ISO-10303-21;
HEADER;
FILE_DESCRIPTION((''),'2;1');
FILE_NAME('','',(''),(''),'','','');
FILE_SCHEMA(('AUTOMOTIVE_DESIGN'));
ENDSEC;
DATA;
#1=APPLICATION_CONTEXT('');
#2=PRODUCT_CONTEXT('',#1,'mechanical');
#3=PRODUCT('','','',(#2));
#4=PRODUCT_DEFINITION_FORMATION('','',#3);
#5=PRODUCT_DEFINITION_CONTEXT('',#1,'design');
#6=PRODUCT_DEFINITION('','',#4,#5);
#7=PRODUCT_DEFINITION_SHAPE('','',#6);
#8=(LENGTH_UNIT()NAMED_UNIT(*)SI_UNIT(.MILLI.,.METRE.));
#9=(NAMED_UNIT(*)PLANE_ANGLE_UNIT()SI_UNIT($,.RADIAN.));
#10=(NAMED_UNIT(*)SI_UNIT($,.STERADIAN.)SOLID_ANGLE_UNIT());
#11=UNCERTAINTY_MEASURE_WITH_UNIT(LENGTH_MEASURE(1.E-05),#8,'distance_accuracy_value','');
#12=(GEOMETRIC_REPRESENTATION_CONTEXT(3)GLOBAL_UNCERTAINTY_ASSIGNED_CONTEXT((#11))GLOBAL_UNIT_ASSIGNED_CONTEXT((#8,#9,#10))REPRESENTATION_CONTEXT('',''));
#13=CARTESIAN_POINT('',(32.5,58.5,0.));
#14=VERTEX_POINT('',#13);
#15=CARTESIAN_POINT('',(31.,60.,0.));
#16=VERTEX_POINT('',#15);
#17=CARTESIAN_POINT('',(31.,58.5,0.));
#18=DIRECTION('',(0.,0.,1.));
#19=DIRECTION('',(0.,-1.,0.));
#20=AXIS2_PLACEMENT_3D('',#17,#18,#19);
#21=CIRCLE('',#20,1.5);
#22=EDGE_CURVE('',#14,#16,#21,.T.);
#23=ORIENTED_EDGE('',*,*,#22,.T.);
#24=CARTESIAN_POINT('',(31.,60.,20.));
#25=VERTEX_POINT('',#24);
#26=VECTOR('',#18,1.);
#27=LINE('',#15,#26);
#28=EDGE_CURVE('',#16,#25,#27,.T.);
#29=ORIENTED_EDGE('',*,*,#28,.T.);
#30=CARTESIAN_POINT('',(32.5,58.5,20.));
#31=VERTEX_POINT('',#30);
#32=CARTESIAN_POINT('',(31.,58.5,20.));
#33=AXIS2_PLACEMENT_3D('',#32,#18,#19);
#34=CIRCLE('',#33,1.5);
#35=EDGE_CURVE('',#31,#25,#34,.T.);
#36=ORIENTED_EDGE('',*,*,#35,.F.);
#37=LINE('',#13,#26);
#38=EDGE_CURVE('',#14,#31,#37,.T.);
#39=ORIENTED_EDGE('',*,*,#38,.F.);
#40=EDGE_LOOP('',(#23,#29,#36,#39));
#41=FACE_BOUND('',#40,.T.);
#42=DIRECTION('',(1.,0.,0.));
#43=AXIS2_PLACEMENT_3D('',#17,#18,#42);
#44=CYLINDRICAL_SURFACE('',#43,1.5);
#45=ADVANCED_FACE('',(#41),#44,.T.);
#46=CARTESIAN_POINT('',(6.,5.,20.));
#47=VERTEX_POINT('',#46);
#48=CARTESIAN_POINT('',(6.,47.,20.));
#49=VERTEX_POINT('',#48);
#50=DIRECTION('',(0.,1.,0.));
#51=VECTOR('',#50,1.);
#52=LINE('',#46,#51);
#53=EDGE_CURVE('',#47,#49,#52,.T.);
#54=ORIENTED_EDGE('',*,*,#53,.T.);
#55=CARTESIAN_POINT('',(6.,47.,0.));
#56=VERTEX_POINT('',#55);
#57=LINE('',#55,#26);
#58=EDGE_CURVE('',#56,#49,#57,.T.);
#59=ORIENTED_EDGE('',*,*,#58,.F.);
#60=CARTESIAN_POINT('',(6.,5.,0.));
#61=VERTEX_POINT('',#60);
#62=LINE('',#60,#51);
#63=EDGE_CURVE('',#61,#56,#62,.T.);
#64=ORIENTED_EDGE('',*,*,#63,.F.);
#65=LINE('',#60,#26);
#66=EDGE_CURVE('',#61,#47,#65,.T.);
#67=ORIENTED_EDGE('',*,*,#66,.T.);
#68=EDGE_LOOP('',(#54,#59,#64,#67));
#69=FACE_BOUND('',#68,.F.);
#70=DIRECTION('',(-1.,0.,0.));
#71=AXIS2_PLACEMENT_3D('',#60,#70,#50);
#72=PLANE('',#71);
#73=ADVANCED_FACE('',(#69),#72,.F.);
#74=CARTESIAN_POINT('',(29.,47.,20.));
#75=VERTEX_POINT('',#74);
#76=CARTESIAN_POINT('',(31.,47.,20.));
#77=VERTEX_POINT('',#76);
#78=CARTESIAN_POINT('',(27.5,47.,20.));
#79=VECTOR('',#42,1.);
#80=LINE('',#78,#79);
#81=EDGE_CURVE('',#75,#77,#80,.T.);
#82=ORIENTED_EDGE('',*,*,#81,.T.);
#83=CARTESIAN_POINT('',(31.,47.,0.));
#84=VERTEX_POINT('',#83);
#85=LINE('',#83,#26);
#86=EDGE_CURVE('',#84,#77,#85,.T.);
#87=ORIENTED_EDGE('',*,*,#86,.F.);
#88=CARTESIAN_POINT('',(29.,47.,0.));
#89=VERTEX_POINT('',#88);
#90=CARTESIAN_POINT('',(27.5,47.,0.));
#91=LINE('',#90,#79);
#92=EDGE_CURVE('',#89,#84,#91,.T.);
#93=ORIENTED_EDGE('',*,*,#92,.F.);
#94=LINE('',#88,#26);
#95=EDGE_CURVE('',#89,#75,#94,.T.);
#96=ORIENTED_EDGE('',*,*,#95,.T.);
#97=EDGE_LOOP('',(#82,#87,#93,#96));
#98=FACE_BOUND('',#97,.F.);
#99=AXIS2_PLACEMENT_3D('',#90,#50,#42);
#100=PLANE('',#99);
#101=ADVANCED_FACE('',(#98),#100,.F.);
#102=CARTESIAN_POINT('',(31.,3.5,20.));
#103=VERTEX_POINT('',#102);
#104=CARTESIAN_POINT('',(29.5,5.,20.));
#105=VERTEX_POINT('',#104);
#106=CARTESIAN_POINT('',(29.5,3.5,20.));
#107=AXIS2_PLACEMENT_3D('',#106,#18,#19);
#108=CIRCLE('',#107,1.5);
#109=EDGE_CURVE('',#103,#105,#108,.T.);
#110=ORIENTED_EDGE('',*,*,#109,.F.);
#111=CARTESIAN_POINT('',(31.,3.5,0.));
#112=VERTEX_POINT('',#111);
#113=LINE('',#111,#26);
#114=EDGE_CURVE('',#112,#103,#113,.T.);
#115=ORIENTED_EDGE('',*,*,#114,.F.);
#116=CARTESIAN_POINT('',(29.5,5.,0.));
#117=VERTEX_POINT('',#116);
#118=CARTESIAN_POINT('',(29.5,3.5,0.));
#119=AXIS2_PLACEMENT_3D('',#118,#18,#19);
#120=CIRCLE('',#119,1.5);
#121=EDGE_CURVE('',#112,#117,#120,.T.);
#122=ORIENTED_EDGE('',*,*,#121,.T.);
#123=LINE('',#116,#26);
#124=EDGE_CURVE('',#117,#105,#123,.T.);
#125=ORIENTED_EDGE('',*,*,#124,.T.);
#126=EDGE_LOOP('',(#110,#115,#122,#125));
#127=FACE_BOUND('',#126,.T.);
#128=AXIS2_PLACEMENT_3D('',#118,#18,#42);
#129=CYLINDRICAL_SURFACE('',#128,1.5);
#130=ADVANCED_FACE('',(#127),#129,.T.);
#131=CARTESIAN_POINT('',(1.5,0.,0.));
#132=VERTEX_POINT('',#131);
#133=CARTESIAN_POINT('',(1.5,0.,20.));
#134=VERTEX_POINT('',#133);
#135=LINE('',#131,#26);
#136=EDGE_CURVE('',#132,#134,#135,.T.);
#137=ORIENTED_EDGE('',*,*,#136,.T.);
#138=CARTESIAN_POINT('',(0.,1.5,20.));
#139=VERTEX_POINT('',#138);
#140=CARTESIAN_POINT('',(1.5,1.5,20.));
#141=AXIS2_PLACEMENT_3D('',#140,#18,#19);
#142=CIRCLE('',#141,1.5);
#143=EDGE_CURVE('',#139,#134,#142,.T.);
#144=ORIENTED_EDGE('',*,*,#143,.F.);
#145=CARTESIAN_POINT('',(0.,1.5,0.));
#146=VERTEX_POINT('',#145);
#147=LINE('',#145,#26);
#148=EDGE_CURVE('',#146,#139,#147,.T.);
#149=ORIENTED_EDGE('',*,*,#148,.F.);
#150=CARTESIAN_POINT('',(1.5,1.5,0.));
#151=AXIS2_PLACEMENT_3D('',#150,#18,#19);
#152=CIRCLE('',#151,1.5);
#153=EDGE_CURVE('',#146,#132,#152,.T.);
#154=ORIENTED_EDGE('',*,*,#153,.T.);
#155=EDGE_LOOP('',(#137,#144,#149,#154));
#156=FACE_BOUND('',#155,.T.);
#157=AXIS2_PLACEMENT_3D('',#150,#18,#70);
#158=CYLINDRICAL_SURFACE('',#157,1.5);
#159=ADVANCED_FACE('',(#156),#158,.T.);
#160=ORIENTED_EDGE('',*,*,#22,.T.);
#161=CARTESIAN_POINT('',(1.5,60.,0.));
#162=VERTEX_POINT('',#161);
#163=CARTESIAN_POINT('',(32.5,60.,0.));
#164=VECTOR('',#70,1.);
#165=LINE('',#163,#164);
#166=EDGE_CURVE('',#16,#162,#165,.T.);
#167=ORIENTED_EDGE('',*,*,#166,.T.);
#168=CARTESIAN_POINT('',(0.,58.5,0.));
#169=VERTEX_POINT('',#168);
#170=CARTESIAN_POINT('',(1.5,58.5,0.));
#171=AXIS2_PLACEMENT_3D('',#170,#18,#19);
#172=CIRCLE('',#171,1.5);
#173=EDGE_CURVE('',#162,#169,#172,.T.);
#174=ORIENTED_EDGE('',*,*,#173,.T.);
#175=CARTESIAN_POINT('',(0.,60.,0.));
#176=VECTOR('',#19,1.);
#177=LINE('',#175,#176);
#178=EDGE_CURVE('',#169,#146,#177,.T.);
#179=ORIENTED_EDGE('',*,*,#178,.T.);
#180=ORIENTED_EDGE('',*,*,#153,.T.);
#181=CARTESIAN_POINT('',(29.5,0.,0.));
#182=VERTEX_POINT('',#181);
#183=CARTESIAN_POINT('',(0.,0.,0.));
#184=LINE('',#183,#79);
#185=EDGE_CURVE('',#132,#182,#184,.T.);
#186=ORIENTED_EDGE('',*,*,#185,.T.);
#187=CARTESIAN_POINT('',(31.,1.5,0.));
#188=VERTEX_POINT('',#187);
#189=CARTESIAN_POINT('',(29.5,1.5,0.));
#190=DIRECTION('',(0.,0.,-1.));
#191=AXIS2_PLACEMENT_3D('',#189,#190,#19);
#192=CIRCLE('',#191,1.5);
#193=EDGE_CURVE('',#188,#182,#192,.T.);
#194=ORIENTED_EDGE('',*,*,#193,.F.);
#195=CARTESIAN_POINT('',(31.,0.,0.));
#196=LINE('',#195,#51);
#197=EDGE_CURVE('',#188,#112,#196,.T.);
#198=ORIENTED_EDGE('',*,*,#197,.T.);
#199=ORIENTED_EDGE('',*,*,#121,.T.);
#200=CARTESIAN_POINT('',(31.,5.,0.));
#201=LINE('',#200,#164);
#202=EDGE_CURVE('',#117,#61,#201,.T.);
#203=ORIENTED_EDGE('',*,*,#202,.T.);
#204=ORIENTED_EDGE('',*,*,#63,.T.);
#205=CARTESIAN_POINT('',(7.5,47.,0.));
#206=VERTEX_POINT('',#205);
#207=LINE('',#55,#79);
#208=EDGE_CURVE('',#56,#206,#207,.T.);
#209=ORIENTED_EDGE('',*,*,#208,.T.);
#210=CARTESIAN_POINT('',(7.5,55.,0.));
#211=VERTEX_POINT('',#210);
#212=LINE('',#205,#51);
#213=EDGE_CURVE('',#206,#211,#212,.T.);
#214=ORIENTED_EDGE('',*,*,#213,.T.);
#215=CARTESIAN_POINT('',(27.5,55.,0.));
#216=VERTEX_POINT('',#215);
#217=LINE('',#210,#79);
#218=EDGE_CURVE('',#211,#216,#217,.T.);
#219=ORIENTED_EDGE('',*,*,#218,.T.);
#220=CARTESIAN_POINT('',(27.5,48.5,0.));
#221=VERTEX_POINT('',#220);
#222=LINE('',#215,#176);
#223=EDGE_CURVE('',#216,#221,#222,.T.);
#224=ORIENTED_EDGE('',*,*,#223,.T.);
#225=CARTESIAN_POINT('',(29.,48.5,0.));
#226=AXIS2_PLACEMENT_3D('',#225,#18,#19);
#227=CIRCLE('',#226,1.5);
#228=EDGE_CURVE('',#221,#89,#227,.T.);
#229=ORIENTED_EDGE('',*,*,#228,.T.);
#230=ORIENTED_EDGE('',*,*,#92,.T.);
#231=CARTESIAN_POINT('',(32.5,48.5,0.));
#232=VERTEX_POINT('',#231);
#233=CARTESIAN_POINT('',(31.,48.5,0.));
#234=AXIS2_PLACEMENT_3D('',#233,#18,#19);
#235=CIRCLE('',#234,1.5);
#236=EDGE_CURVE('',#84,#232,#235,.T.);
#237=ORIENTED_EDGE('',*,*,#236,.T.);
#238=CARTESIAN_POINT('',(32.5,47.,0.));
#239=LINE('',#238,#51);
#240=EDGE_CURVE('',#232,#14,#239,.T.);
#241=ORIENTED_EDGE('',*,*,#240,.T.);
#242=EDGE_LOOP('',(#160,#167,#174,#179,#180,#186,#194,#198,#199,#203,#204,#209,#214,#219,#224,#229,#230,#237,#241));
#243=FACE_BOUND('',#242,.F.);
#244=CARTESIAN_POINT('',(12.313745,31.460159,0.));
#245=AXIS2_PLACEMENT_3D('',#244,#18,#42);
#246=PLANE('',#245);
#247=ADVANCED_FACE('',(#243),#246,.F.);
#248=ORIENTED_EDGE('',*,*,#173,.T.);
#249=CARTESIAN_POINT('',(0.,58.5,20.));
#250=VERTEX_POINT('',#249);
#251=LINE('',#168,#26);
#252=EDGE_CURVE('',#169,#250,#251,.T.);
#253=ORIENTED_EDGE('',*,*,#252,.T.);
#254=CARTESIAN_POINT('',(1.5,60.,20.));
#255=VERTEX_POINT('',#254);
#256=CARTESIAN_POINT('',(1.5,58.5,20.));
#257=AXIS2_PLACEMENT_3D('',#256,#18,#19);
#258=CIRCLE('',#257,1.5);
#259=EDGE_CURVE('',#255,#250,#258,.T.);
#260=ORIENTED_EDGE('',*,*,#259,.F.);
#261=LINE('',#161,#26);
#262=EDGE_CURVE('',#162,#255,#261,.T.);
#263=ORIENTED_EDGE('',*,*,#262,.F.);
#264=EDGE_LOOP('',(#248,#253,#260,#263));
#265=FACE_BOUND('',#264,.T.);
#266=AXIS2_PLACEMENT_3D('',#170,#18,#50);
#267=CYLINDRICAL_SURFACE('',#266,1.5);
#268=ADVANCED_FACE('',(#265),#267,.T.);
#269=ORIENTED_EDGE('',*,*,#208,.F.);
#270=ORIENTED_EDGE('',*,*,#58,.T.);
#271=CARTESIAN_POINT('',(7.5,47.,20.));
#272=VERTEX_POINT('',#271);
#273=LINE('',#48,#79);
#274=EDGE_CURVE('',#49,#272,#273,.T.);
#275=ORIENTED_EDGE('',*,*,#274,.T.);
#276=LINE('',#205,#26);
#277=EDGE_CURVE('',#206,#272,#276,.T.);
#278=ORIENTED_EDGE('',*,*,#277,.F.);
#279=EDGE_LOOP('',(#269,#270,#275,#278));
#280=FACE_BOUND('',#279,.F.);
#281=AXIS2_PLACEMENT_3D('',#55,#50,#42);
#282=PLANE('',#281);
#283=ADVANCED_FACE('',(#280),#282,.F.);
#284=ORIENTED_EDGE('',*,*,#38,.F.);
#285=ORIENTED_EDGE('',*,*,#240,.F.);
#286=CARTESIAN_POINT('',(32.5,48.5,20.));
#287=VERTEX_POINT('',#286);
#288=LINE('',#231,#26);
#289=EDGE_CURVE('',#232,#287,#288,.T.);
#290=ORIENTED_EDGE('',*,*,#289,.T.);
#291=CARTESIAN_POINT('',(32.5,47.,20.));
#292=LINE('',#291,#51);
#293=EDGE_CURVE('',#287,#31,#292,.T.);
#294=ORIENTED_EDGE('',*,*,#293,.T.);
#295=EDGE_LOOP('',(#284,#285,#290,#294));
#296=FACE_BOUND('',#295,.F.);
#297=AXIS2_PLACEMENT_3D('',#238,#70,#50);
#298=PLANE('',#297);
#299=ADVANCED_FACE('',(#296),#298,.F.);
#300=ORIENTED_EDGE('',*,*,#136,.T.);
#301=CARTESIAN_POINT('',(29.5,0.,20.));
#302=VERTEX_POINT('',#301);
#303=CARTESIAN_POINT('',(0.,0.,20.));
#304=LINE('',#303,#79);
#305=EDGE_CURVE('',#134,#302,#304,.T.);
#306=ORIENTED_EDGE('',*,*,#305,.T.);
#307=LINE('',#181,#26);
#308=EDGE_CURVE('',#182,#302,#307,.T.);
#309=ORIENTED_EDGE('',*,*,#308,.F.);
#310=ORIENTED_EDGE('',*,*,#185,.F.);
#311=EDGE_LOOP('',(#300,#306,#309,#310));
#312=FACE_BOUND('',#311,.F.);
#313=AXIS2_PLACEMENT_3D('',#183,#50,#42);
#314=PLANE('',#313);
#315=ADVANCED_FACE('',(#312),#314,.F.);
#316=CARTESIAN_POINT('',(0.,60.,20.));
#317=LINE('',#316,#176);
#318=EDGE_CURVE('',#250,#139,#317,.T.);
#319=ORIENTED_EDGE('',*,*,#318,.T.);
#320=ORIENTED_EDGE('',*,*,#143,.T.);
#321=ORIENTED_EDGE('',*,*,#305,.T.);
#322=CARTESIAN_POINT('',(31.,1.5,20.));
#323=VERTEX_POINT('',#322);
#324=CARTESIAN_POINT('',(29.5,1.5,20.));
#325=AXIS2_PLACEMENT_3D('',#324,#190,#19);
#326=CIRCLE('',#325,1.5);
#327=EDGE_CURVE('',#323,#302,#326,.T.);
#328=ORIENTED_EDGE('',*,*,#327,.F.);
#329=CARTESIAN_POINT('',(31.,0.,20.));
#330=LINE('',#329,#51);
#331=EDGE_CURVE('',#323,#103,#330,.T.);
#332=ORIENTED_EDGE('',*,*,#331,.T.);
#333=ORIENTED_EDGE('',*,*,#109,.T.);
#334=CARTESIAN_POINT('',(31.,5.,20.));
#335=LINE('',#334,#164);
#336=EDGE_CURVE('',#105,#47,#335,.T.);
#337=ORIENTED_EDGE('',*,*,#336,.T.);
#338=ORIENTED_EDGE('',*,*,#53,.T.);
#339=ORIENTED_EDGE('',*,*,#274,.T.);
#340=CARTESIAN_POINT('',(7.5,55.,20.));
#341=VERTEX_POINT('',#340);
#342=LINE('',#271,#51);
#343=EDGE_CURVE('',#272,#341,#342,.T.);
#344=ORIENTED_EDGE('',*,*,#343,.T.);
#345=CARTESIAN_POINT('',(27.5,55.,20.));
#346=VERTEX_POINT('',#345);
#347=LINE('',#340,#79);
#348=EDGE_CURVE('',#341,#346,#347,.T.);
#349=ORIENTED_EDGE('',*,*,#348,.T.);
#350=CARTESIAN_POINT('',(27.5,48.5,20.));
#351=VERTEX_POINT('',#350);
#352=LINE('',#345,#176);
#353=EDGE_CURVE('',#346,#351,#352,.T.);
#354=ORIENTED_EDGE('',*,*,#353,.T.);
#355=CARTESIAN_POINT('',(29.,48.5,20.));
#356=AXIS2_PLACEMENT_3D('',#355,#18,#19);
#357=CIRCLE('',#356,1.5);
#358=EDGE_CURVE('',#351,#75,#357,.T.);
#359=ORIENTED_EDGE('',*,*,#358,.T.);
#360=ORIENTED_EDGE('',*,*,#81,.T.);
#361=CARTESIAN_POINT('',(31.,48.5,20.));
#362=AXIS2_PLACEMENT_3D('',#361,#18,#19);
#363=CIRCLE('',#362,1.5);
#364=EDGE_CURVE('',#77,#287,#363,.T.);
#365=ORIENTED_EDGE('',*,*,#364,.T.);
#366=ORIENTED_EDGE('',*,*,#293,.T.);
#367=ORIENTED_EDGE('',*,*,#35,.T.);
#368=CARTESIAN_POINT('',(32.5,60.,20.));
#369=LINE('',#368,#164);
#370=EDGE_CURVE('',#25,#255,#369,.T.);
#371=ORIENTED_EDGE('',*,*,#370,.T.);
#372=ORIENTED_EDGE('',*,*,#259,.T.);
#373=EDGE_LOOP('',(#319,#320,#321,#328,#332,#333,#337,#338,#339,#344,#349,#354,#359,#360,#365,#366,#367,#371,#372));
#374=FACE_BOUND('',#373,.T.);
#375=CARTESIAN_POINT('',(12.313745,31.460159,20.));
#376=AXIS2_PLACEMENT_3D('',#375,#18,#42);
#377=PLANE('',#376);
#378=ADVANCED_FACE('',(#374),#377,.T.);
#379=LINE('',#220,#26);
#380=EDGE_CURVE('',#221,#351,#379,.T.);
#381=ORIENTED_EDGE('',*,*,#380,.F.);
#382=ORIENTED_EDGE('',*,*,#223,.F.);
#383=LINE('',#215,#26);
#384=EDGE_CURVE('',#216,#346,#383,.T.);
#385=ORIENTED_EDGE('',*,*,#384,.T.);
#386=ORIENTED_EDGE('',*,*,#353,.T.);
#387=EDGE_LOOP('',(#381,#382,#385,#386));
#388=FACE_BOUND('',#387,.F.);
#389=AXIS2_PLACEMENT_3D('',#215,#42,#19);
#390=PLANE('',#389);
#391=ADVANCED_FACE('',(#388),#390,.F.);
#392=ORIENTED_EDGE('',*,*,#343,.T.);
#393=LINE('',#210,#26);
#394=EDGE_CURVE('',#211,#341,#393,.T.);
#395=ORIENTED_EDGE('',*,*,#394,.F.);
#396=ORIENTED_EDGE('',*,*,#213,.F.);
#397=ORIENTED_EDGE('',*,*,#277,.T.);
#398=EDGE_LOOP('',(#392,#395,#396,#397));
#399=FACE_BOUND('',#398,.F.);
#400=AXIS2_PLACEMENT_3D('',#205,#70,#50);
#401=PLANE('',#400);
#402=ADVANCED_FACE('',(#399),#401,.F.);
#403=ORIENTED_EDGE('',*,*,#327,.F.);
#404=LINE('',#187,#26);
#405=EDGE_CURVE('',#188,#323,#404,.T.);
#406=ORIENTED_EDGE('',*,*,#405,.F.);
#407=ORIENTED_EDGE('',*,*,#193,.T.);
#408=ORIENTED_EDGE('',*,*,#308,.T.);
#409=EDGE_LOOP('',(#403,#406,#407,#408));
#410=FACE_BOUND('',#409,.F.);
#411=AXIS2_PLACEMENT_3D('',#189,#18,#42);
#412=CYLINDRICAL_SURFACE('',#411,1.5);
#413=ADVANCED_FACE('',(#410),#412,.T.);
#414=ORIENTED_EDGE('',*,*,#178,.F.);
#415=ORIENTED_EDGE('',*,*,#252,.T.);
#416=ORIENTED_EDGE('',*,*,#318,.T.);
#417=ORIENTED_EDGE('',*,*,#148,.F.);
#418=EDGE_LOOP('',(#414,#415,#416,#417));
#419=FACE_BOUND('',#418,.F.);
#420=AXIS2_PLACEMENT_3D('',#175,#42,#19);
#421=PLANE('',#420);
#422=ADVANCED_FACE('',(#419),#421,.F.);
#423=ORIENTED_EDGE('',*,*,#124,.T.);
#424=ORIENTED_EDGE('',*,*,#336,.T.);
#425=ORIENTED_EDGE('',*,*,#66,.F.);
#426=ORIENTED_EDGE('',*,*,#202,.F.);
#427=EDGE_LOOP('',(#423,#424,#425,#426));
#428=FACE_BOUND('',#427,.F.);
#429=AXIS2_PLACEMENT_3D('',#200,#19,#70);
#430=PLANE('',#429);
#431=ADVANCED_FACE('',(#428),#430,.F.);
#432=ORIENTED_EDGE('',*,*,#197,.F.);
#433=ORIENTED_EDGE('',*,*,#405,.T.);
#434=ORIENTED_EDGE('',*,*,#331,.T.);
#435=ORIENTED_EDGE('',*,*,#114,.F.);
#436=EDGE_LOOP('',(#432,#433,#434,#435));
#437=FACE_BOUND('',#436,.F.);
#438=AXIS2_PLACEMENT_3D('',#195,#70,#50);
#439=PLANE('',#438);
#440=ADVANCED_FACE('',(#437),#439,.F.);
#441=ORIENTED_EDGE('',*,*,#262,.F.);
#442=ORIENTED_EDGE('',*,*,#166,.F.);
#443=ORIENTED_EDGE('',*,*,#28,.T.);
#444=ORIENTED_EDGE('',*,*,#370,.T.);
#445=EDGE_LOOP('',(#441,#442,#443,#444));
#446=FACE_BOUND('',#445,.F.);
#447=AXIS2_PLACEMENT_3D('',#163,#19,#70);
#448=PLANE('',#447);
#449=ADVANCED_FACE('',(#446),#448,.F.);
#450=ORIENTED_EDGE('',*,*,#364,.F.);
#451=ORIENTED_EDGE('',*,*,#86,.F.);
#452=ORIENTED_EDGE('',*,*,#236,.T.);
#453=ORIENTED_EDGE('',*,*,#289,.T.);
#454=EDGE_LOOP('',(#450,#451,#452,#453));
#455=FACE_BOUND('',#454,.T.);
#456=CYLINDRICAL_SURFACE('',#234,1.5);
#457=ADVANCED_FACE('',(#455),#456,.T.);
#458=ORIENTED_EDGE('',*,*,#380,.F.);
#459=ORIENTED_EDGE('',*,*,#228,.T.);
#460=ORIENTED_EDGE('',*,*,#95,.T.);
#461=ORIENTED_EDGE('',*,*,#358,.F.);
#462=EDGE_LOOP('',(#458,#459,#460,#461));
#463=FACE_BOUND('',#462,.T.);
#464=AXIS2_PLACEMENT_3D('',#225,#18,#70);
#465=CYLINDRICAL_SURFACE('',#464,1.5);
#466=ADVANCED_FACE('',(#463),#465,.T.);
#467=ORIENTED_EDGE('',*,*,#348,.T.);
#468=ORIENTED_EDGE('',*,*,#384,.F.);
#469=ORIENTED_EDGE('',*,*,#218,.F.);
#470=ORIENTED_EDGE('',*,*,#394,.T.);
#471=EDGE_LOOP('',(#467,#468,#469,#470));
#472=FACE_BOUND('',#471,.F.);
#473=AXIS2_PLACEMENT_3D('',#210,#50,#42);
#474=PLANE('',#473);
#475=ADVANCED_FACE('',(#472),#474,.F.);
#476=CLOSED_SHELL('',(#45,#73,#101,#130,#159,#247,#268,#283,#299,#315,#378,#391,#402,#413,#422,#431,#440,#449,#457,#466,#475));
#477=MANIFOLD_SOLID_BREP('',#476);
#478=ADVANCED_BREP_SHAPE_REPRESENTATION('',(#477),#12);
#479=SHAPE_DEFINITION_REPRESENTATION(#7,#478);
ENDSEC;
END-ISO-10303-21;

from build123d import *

# Parameters (mm, degrees)
EXTRUDE_DEPTH = 20
FILLET_R      = 1.5


with BuildPart() as part:
    # Sketch → Extrude (new body)
    with BuildSketch(Plane.XY):
        Polygon((31, 0), (31, 5), (6, 5), (6, 47), (7.5, 47), (7.5, 55), (27.5, 55), (27.5, 47), (32.5, 47), (32.5, 55), (32.5, 60), (6, 60), (0, 60), (0, 0), (6, 0), align=None)
    extrude(amount=EXTRUDE_DEPTH)

    # Fillet
    fillet_edges = [part.edges().sort_by_distance(p)[0] for p in [
        (0, 60, 10),
        (0, 0, 10),
        (31, 0, 10),
        (31, 5, 10),
        (27.5, 47, 10),
        (32.5, 47, 10),
        (32.5, 60, 10),
    ]]
    fillet(fillet_edges, radius=FILLET_R)


solid = part.part
